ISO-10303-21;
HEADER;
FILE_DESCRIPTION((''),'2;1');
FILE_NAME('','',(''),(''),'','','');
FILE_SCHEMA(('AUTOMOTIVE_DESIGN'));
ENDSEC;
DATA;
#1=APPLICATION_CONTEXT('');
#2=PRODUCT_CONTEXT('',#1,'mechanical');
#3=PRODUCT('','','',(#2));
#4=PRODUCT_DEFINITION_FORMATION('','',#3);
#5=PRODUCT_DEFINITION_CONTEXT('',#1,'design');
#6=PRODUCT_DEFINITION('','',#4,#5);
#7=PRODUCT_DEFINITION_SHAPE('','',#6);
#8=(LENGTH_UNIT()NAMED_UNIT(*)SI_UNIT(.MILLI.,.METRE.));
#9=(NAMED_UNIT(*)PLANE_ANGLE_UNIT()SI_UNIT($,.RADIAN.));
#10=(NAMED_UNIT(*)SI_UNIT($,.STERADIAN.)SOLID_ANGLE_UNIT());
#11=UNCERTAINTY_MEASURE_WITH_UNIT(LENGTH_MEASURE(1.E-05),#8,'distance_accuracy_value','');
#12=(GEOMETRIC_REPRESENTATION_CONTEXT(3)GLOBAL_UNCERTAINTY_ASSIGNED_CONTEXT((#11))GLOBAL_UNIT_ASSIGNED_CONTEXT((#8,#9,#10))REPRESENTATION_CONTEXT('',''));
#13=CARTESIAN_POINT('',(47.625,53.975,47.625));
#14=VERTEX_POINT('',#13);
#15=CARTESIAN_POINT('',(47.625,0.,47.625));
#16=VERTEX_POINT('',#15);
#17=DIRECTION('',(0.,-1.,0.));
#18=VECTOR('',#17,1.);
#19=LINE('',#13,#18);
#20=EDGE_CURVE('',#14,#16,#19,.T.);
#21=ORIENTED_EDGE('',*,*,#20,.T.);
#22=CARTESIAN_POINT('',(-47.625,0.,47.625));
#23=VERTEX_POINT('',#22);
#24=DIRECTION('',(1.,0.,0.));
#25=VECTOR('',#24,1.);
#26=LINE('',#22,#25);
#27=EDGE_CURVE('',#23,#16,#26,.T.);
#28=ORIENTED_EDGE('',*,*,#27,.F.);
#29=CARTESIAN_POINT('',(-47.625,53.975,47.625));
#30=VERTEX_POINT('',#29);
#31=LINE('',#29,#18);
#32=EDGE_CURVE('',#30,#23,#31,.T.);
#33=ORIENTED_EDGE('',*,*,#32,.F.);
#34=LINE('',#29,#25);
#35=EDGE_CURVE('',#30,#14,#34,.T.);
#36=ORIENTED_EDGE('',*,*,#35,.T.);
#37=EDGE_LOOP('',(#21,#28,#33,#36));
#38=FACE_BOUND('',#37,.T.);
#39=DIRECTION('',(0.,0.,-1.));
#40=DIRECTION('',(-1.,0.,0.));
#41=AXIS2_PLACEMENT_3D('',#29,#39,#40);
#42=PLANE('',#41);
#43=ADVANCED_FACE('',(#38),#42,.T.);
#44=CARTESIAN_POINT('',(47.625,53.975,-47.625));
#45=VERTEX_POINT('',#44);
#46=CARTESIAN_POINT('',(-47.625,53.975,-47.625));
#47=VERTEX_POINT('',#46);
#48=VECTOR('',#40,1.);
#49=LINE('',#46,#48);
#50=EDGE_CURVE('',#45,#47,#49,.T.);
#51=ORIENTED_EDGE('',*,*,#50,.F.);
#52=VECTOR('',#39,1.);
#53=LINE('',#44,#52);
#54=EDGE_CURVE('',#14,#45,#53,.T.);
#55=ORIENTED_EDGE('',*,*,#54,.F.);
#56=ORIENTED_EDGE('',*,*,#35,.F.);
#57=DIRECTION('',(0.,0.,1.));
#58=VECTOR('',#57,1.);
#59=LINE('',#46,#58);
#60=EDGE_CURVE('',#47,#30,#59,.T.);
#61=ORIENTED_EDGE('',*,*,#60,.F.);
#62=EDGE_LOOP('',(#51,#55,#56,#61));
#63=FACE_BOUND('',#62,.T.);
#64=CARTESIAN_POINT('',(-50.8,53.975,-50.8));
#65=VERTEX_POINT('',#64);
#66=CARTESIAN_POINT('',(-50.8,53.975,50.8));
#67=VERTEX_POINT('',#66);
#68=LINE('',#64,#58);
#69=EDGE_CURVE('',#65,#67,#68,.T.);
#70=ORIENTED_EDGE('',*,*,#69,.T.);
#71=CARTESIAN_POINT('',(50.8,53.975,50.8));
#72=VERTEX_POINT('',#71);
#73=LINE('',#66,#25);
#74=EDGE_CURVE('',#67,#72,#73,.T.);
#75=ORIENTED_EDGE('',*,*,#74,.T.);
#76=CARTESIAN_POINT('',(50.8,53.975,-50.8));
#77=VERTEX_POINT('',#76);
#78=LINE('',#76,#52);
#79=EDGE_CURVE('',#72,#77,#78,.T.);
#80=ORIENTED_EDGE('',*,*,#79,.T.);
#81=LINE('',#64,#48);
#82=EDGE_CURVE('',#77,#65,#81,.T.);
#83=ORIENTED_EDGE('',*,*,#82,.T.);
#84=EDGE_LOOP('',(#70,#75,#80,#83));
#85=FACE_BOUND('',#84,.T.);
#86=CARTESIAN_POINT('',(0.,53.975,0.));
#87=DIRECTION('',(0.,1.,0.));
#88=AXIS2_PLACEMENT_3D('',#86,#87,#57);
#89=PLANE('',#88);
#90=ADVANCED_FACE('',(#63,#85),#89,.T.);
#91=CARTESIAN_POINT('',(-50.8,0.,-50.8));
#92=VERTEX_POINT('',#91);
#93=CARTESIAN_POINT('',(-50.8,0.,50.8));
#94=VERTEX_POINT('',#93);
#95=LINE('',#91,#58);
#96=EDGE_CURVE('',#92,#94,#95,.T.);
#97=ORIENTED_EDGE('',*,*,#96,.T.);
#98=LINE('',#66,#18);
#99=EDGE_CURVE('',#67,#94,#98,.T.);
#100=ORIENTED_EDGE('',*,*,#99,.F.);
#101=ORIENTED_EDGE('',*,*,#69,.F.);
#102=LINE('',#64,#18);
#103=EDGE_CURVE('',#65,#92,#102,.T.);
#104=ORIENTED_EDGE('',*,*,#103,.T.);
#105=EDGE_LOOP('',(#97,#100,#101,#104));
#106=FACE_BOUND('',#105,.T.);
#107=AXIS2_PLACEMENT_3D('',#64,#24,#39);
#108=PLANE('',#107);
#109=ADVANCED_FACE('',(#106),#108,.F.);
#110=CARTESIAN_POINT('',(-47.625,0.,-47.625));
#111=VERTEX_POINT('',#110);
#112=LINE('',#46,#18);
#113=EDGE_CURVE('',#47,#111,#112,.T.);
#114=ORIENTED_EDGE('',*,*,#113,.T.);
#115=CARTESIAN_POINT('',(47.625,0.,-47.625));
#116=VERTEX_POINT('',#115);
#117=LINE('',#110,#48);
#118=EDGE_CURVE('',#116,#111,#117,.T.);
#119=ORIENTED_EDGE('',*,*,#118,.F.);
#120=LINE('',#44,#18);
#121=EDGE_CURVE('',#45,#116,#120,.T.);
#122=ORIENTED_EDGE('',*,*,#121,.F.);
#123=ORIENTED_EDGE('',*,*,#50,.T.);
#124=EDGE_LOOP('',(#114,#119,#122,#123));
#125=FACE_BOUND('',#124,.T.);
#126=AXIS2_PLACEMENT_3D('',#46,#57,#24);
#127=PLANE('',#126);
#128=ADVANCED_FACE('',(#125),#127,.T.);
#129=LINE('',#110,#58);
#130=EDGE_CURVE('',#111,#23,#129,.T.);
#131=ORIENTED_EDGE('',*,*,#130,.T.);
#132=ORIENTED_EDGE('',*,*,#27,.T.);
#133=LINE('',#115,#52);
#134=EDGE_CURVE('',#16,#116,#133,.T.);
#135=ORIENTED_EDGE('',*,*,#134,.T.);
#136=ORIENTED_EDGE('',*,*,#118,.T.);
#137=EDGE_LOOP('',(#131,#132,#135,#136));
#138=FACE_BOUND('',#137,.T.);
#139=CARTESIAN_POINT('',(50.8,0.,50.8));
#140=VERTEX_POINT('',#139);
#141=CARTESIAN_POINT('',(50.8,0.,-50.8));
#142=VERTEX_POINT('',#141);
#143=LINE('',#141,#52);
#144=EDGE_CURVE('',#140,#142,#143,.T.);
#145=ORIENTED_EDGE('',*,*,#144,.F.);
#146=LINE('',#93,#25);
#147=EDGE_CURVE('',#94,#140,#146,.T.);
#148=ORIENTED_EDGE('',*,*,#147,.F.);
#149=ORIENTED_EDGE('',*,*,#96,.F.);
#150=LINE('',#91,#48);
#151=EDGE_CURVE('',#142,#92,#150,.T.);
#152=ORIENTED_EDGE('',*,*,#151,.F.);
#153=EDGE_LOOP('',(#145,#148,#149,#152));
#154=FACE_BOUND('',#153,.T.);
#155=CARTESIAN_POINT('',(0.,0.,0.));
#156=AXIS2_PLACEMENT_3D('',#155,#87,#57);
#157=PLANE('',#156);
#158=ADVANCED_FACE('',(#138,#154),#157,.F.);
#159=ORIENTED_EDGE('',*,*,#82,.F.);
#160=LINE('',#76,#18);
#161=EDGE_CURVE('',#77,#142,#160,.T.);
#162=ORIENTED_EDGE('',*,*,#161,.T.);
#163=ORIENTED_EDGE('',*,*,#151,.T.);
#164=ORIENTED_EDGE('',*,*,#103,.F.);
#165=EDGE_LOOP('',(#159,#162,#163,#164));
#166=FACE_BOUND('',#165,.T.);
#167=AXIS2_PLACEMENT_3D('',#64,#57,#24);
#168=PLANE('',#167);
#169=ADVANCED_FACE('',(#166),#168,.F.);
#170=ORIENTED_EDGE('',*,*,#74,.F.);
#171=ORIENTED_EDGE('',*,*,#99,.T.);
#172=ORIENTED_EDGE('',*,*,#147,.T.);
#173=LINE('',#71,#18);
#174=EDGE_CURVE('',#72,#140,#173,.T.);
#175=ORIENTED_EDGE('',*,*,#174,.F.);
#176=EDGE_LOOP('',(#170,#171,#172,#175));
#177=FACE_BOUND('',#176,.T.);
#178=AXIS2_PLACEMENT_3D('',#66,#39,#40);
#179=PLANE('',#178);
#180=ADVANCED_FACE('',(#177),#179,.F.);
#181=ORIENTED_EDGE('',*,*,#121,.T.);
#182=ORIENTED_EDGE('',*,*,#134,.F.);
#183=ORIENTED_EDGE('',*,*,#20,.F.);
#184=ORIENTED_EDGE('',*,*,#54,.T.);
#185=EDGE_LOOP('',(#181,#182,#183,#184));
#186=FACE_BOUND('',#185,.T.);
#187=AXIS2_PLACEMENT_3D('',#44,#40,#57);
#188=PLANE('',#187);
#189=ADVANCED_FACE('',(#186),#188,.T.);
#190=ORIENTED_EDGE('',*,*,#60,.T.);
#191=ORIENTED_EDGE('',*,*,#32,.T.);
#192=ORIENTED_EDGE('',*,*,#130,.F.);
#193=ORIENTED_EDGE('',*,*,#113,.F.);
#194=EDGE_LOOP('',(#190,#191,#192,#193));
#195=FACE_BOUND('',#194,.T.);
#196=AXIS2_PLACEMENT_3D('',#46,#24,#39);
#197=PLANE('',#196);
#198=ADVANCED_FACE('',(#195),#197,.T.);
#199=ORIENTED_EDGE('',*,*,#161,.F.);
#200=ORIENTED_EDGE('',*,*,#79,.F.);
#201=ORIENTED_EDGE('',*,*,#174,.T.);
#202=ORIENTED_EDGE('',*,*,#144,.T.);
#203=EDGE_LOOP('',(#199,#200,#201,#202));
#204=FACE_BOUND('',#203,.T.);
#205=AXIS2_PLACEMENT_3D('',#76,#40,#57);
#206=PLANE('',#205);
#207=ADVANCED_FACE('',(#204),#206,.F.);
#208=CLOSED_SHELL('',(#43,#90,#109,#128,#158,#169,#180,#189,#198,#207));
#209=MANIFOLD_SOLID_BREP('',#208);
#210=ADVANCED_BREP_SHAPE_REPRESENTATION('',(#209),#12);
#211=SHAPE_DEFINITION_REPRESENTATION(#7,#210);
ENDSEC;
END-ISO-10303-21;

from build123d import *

# Parameters (mm, degrees)
SKETCH2_W           = 101.6
SKETCH2_H           = 101.6
SKETCH2_W_2         = 95.25
SKETCH2_H_2         = 95.25
BOSS_EXTRUDE1_DEPTH = 53.975


with BuildPart() as part:
    # Sketch2 → Boss-Extrude1 (new body)
    with BuildSketch(Plane(origin=(0, 0, 0), x_dir=(1, 0, 0), z_dir=(0, 1, 0))):
        Rectangle(SKETCH2_W, SKETCH2_H)
        Rectangle(SKETCH2_W_2, SKETCH2_H_2, mode=Mode.SUBTRACT)
    extrude(amount=BOSS_EXTRUDE1_DEPTH)


solid = part.part
